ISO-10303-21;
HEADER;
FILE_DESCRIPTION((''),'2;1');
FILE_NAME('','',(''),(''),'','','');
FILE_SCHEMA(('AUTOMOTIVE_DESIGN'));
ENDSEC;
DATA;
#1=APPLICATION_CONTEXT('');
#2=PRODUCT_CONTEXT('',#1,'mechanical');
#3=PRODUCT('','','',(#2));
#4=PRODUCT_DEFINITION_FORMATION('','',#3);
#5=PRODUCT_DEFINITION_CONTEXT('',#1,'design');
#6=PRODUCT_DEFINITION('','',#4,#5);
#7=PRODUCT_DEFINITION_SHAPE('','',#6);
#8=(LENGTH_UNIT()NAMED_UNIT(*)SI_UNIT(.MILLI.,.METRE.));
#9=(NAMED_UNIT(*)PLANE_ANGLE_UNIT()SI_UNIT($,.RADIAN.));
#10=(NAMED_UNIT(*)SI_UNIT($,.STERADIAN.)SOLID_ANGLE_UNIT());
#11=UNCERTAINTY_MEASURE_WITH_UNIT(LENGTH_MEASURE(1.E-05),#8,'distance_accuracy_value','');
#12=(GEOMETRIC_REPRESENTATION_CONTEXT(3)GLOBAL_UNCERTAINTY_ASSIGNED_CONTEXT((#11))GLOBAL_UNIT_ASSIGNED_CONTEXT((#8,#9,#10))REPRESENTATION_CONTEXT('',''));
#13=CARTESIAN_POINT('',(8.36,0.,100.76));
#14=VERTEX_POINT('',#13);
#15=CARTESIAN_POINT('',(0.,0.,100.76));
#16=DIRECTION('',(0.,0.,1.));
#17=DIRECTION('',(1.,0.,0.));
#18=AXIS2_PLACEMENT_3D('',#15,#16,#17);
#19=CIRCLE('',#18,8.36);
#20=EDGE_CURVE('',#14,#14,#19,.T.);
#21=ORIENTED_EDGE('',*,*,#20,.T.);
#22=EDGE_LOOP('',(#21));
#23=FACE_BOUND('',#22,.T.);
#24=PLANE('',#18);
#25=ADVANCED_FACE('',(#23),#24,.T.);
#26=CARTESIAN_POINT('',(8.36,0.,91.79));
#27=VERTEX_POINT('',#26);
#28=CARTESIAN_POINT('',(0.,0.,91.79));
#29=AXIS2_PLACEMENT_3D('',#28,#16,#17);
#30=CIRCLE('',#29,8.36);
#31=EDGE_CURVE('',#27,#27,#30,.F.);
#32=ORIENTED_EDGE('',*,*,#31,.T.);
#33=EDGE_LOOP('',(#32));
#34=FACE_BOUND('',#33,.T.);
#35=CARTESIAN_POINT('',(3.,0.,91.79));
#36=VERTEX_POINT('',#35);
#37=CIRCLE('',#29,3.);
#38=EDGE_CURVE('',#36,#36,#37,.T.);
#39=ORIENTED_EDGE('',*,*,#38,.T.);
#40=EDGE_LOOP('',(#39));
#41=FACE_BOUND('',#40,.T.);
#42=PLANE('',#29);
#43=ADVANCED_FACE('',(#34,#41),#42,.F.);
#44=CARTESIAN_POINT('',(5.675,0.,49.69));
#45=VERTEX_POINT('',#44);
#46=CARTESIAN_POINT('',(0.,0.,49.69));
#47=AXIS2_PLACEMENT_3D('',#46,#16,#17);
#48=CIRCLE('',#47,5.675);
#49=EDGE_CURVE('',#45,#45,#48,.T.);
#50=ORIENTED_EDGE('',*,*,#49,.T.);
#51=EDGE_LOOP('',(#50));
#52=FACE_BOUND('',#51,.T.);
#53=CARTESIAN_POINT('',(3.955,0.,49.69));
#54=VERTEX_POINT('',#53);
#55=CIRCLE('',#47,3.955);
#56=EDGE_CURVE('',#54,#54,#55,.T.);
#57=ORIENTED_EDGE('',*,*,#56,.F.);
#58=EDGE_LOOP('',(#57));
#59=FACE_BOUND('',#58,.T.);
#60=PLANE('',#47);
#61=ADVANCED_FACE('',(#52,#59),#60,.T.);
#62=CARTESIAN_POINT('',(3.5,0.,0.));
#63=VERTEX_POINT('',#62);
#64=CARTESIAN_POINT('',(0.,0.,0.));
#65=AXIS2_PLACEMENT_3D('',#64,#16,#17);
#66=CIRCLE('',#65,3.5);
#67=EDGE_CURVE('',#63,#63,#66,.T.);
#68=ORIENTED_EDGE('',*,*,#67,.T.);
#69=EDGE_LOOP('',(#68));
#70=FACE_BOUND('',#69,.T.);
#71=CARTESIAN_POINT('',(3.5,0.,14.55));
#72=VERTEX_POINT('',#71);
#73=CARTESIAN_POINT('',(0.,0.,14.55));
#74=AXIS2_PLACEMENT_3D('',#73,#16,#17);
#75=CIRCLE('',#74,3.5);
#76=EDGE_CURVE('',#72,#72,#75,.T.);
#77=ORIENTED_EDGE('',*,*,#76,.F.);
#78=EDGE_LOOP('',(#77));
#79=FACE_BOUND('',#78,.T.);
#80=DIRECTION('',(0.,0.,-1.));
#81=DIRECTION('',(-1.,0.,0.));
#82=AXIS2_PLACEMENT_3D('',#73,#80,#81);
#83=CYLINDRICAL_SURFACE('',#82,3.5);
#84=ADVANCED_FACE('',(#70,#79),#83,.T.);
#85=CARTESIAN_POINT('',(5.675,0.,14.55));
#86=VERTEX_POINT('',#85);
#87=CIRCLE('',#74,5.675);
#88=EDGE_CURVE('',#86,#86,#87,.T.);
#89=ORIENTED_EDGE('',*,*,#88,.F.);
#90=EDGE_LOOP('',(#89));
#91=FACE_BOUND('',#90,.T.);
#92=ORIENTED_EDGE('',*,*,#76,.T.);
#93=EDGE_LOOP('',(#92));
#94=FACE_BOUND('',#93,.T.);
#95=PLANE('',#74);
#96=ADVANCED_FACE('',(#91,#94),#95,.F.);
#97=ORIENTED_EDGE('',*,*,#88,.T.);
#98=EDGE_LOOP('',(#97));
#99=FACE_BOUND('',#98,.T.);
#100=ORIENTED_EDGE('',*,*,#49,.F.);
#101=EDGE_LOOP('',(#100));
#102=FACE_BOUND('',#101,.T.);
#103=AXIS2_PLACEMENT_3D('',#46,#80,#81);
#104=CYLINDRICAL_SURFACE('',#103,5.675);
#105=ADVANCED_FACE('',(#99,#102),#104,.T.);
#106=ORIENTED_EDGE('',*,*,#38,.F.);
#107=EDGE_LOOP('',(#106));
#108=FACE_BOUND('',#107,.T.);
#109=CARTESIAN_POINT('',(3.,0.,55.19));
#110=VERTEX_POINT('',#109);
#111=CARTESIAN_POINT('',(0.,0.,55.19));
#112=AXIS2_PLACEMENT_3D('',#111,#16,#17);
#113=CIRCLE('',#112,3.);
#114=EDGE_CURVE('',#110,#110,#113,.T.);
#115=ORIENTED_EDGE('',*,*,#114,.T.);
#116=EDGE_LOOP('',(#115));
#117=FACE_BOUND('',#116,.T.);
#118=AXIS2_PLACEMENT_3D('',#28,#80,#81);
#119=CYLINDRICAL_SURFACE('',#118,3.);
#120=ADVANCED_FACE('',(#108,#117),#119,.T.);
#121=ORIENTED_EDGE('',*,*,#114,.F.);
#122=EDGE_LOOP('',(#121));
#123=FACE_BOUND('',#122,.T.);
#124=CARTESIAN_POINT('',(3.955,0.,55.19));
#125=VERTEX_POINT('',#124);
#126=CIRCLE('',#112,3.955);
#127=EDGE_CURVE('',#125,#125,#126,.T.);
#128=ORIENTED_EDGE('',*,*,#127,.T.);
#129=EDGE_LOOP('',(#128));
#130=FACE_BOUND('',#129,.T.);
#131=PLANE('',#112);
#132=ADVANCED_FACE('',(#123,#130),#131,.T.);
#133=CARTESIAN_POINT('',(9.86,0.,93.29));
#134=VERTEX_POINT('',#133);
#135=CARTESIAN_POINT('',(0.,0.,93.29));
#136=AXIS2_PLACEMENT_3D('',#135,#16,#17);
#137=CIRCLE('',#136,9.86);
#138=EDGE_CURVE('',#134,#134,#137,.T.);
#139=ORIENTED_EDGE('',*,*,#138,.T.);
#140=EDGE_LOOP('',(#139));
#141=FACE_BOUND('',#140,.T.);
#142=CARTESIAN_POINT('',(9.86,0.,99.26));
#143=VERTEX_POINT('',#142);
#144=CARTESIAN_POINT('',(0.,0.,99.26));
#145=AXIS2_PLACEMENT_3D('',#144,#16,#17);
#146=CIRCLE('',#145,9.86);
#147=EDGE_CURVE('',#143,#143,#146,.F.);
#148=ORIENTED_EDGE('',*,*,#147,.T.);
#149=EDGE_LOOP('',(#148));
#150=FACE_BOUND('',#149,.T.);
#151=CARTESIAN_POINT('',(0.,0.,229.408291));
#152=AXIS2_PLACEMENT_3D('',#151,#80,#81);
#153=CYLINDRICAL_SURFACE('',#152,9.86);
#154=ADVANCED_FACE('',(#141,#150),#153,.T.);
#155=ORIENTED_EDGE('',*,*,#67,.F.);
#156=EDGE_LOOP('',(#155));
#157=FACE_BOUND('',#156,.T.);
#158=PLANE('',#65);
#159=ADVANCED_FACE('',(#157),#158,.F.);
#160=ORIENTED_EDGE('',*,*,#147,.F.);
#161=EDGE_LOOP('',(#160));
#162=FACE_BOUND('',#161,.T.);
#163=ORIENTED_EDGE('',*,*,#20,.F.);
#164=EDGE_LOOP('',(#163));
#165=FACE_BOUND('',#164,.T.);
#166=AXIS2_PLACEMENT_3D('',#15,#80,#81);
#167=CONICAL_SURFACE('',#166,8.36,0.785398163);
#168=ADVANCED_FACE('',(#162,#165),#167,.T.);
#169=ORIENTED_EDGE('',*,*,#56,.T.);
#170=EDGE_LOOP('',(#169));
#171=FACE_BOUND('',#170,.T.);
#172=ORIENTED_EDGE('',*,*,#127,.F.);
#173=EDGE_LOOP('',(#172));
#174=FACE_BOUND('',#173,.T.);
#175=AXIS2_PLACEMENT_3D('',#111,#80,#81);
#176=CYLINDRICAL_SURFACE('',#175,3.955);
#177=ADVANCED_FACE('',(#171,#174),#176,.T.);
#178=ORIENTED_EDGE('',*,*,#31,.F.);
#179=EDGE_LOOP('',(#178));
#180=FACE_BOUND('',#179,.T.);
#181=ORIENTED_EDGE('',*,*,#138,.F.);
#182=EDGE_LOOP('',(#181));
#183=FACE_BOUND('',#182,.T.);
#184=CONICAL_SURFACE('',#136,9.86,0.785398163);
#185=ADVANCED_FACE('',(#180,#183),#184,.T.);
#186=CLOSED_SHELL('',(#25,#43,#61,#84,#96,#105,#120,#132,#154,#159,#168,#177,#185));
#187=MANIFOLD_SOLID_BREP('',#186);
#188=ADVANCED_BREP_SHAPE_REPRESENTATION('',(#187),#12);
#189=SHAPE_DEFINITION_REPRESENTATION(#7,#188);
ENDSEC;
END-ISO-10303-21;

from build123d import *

# Parameters (mm, degrees)
SKETCH1_R           = 3.5
BOSS_EXTRUDE1_DEPTH = 14.55
SKETCH2_R           = 5.675
BOSS_EXTRUDE2_DEPTH = 35.14
SKETCH3_R           = 3.955
BOSS_EXTRUDE3_DEPTH = 5.5
SKETCH4_R           = 3
BOSS_EXTRUDE4_DEPTH = 36.6
SKETCH5_R           = 9.86
BOSS_EXTRUDE5_DEPTH = 8.97
CHAMFER1_SIZE       = 1.5


with BuildPart() as part:
    # Sketch1 → Boss-Extrude1 (new body)
    with BuildSketch(Plane.XY):
        Circle(SKETCH1_R)
    extrude(amount=BOSS_EXTRUDE1_DEPTH)

    # Sketch2 → Boss-Extrude2 (add)
    with BuildSketch(Plane.XY.offset(14.55)):
        Circle(SKETCH2_R)
    extrude(amount=BOSS_EXTRUDE2_DEPTH)

    # Sketch3 → Boss-Extrude3 (add)
    with BuildSketch(Plane.XY.offset(49.69)):
        Circle(SKETCH3_R)
    extrude(amount=BOSS_EXTRUDE3_DEPTH)

    # Sketch4 → Boss-Extrude4 (add)
    with BuildSketch(Plane.XY.offset(55.19)):
        Circle(SKETCH4_R)
    extrude(amount=BOSS_EXTRUDE4_DEPTH)

    # Sketch5 → Boss-Extrude5 (add)
    with BuildSketch(Plane.XY.offset(91.79)):
        Circle(SKETCH5_R)
    extrude(amount=BOSS_EXTRUDE5_DEPTH)

    # Chamfer1
    chamfer1_edges = [part.edges().sort_by_distance(p)[0] for p in [
        (-9.86, 0, 91.79),
        (-9.86, 0, 100.76),
    ]]
    chamfer(chamfer1_edges, length=CHAMFER1_SIZE)


solid = part.part
